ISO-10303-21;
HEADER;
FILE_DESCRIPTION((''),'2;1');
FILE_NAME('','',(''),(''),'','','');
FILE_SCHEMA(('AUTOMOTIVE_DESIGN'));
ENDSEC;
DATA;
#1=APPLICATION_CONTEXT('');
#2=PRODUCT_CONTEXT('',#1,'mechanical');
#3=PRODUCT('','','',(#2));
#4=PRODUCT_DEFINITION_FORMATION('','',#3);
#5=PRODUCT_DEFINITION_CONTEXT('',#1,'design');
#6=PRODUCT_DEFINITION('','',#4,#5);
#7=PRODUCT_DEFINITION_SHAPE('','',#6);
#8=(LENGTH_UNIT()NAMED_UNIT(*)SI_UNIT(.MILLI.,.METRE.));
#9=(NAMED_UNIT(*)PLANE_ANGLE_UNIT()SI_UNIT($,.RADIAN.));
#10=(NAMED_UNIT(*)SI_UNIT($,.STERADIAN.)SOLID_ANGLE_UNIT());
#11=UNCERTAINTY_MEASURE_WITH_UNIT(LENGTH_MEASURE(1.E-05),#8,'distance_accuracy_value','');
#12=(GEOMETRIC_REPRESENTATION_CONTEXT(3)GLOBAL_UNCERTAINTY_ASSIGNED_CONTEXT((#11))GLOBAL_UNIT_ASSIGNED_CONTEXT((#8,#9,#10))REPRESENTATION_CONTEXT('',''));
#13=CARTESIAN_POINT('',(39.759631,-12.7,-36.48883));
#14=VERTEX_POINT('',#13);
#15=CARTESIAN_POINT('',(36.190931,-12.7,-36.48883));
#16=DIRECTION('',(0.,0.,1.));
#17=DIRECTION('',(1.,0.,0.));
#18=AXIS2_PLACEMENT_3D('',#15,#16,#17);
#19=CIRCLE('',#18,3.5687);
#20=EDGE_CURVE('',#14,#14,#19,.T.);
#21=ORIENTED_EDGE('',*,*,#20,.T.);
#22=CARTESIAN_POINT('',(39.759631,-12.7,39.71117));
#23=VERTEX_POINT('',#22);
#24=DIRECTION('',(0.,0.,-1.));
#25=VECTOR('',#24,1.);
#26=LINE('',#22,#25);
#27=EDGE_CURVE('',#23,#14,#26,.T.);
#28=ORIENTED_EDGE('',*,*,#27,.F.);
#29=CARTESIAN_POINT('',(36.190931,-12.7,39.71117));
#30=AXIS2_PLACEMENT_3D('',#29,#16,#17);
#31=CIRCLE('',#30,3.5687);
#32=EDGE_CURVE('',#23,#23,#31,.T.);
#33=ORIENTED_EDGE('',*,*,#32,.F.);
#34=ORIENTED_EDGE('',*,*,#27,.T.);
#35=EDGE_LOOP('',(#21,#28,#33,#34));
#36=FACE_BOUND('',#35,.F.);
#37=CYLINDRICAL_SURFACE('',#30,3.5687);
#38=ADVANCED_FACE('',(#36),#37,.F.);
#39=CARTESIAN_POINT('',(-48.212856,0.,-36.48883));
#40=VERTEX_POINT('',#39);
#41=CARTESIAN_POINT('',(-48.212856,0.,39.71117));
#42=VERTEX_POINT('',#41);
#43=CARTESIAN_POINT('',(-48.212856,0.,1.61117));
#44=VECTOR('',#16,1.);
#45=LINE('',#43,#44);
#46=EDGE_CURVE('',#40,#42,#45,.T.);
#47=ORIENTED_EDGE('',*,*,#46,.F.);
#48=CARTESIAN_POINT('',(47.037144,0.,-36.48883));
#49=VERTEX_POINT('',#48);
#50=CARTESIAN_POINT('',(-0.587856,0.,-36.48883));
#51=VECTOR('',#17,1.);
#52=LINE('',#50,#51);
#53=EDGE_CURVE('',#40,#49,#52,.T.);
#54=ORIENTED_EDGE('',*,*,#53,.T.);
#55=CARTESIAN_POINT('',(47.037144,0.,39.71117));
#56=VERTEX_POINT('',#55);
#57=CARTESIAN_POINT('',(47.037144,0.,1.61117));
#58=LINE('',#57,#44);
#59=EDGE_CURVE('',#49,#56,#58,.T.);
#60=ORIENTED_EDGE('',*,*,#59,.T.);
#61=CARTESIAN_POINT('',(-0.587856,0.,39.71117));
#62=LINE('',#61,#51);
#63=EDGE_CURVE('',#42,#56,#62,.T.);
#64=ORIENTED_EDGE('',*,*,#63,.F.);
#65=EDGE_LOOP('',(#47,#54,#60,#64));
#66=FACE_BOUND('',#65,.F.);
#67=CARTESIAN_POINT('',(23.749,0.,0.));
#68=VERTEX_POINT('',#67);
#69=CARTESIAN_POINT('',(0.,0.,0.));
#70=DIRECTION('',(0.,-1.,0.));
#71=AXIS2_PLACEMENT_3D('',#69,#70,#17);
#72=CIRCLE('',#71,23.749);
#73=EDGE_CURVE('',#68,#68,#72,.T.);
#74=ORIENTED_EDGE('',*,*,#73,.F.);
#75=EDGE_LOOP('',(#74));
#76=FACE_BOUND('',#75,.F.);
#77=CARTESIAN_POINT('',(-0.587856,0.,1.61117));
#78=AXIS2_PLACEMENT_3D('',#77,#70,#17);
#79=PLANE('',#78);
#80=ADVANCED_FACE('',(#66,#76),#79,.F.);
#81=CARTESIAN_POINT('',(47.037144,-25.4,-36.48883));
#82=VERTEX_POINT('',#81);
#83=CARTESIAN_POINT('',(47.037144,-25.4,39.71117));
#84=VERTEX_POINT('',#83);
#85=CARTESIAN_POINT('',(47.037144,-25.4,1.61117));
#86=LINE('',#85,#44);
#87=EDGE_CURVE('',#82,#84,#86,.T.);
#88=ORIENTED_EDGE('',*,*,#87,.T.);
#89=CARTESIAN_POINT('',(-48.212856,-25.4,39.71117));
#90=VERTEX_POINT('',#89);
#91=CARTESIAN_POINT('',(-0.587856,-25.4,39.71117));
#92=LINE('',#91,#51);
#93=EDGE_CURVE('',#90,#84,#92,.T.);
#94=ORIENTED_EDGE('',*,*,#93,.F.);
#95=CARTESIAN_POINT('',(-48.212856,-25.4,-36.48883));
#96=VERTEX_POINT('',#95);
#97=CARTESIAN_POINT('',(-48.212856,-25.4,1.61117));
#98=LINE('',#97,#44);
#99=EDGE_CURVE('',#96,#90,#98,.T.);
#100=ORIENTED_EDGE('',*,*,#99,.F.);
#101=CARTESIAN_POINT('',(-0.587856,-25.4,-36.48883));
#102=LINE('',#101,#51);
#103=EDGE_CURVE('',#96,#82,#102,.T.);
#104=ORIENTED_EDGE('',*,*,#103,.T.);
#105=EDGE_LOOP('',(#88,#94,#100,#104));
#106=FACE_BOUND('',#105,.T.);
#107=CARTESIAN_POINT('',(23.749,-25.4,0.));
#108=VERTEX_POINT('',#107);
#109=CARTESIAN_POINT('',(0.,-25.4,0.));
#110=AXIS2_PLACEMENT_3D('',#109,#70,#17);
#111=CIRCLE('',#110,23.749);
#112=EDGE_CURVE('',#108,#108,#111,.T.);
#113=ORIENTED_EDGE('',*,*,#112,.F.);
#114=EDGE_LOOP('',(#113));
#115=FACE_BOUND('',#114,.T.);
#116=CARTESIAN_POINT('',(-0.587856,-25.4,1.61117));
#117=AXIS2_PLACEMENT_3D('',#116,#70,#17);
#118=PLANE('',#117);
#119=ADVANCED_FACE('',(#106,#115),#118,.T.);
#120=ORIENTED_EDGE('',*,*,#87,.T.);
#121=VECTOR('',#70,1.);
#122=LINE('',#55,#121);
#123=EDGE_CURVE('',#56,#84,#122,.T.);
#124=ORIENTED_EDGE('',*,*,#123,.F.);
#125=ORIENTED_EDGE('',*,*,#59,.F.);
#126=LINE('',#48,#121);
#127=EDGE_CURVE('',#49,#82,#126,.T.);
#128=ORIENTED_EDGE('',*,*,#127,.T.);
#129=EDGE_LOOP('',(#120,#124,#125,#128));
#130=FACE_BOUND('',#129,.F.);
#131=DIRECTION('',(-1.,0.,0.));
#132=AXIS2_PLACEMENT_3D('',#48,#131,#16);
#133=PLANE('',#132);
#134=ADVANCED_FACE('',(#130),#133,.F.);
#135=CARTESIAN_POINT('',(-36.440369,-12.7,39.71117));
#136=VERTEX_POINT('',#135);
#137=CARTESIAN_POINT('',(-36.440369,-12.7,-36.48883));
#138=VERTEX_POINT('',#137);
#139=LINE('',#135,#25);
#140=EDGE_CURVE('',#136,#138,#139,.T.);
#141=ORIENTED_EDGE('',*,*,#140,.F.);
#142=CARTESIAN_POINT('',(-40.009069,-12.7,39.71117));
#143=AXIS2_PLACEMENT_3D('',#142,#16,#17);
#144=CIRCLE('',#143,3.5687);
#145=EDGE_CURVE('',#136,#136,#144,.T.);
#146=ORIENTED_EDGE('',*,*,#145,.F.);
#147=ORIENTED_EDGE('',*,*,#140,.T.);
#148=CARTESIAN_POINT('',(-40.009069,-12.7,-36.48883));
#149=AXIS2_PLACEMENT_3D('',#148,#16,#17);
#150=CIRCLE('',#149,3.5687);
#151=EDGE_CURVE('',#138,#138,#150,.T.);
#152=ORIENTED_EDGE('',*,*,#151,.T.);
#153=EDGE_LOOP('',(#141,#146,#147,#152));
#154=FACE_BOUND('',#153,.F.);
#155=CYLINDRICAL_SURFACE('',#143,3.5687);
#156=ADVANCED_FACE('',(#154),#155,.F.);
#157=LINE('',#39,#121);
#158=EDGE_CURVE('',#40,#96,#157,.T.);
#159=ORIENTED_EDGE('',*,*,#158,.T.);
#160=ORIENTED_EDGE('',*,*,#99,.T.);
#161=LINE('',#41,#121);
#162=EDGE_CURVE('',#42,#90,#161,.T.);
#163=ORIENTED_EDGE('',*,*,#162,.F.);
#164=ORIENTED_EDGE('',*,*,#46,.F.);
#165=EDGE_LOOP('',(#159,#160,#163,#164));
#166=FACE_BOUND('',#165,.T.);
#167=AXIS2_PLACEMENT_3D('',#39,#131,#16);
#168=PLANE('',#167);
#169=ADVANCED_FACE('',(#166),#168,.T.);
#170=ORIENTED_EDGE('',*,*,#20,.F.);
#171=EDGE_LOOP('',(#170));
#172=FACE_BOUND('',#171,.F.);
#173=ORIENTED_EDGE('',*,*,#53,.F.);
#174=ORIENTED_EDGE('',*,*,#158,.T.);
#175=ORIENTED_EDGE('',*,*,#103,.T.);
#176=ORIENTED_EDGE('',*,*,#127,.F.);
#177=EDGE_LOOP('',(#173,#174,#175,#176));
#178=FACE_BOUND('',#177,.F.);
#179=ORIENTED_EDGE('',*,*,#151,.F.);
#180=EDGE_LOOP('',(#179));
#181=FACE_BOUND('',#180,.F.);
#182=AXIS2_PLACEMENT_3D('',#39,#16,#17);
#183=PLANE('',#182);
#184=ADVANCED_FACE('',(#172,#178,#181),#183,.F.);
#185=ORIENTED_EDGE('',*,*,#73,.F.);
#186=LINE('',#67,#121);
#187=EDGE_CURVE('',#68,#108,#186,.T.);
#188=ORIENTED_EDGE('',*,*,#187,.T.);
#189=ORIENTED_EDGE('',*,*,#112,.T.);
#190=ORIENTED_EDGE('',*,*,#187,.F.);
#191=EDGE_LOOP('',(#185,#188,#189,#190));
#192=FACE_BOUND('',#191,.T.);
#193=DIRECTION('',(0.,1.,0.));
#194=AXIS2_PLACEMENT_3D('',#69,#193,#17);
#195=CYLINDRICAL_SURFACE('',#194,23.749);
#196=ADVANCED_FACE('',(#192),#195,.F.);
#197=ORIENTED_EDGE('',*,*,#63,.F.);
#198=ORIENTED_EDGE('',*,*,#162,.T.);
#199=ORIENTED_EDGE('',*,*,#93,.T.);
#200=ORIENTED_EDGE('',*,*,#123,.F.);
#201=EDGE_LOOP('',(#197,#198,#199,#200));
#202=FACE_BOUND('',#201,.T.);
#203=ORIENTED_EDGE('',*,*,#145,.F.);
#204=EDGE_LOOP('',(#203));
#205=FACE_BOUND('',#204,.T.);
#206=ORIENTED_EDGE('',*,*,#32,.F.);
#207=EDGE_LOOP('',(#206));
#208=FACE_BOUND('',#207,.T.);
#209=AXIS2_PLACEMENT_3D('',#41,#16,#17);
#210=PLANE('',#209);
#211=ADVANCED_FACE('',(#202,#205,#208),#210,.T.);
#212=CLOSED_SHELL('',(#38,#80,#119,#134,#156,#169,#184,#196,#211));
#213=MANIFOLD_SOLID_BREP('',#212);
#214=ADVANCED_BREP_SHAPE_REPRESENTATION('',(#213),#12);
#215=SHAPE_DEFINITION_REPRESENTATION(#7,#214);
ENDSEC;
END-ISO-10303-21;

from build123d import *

# Parameters (mm, degrees)
F0_W     = 95.25
F0_H     = 76.2
F0_R     = 23.749
F1_DEPTH = 25.4
F2_R     = 3.5687
F3_DEPTH = 76.201


with BuildPart() as f1:
    # F0 (on Front) → F1 (new body)
    with BuildSketch(Plane.XZ):
        with Locations((-0.587856, 1.61117)):
            Rectangle(F0_W, F0_H)
        Circle(F0_R, mode=Mode.SUBTRACT)
    extrude(amount=F1_DEPTH)

    # F2 (on face) → F3 (cut, through all)
    with BuildSketch(Plane.XY.offset(39.71117)):
        with Locations((-40.009069, -12.7)):
            Circle(F2_R)
        with Locations((36.190931, -12.7)):
            Circle(F2_R)
    extrude(amount=-F3_DEPTH, mode=Mode.SUBTRACT)


solid = f1.part
